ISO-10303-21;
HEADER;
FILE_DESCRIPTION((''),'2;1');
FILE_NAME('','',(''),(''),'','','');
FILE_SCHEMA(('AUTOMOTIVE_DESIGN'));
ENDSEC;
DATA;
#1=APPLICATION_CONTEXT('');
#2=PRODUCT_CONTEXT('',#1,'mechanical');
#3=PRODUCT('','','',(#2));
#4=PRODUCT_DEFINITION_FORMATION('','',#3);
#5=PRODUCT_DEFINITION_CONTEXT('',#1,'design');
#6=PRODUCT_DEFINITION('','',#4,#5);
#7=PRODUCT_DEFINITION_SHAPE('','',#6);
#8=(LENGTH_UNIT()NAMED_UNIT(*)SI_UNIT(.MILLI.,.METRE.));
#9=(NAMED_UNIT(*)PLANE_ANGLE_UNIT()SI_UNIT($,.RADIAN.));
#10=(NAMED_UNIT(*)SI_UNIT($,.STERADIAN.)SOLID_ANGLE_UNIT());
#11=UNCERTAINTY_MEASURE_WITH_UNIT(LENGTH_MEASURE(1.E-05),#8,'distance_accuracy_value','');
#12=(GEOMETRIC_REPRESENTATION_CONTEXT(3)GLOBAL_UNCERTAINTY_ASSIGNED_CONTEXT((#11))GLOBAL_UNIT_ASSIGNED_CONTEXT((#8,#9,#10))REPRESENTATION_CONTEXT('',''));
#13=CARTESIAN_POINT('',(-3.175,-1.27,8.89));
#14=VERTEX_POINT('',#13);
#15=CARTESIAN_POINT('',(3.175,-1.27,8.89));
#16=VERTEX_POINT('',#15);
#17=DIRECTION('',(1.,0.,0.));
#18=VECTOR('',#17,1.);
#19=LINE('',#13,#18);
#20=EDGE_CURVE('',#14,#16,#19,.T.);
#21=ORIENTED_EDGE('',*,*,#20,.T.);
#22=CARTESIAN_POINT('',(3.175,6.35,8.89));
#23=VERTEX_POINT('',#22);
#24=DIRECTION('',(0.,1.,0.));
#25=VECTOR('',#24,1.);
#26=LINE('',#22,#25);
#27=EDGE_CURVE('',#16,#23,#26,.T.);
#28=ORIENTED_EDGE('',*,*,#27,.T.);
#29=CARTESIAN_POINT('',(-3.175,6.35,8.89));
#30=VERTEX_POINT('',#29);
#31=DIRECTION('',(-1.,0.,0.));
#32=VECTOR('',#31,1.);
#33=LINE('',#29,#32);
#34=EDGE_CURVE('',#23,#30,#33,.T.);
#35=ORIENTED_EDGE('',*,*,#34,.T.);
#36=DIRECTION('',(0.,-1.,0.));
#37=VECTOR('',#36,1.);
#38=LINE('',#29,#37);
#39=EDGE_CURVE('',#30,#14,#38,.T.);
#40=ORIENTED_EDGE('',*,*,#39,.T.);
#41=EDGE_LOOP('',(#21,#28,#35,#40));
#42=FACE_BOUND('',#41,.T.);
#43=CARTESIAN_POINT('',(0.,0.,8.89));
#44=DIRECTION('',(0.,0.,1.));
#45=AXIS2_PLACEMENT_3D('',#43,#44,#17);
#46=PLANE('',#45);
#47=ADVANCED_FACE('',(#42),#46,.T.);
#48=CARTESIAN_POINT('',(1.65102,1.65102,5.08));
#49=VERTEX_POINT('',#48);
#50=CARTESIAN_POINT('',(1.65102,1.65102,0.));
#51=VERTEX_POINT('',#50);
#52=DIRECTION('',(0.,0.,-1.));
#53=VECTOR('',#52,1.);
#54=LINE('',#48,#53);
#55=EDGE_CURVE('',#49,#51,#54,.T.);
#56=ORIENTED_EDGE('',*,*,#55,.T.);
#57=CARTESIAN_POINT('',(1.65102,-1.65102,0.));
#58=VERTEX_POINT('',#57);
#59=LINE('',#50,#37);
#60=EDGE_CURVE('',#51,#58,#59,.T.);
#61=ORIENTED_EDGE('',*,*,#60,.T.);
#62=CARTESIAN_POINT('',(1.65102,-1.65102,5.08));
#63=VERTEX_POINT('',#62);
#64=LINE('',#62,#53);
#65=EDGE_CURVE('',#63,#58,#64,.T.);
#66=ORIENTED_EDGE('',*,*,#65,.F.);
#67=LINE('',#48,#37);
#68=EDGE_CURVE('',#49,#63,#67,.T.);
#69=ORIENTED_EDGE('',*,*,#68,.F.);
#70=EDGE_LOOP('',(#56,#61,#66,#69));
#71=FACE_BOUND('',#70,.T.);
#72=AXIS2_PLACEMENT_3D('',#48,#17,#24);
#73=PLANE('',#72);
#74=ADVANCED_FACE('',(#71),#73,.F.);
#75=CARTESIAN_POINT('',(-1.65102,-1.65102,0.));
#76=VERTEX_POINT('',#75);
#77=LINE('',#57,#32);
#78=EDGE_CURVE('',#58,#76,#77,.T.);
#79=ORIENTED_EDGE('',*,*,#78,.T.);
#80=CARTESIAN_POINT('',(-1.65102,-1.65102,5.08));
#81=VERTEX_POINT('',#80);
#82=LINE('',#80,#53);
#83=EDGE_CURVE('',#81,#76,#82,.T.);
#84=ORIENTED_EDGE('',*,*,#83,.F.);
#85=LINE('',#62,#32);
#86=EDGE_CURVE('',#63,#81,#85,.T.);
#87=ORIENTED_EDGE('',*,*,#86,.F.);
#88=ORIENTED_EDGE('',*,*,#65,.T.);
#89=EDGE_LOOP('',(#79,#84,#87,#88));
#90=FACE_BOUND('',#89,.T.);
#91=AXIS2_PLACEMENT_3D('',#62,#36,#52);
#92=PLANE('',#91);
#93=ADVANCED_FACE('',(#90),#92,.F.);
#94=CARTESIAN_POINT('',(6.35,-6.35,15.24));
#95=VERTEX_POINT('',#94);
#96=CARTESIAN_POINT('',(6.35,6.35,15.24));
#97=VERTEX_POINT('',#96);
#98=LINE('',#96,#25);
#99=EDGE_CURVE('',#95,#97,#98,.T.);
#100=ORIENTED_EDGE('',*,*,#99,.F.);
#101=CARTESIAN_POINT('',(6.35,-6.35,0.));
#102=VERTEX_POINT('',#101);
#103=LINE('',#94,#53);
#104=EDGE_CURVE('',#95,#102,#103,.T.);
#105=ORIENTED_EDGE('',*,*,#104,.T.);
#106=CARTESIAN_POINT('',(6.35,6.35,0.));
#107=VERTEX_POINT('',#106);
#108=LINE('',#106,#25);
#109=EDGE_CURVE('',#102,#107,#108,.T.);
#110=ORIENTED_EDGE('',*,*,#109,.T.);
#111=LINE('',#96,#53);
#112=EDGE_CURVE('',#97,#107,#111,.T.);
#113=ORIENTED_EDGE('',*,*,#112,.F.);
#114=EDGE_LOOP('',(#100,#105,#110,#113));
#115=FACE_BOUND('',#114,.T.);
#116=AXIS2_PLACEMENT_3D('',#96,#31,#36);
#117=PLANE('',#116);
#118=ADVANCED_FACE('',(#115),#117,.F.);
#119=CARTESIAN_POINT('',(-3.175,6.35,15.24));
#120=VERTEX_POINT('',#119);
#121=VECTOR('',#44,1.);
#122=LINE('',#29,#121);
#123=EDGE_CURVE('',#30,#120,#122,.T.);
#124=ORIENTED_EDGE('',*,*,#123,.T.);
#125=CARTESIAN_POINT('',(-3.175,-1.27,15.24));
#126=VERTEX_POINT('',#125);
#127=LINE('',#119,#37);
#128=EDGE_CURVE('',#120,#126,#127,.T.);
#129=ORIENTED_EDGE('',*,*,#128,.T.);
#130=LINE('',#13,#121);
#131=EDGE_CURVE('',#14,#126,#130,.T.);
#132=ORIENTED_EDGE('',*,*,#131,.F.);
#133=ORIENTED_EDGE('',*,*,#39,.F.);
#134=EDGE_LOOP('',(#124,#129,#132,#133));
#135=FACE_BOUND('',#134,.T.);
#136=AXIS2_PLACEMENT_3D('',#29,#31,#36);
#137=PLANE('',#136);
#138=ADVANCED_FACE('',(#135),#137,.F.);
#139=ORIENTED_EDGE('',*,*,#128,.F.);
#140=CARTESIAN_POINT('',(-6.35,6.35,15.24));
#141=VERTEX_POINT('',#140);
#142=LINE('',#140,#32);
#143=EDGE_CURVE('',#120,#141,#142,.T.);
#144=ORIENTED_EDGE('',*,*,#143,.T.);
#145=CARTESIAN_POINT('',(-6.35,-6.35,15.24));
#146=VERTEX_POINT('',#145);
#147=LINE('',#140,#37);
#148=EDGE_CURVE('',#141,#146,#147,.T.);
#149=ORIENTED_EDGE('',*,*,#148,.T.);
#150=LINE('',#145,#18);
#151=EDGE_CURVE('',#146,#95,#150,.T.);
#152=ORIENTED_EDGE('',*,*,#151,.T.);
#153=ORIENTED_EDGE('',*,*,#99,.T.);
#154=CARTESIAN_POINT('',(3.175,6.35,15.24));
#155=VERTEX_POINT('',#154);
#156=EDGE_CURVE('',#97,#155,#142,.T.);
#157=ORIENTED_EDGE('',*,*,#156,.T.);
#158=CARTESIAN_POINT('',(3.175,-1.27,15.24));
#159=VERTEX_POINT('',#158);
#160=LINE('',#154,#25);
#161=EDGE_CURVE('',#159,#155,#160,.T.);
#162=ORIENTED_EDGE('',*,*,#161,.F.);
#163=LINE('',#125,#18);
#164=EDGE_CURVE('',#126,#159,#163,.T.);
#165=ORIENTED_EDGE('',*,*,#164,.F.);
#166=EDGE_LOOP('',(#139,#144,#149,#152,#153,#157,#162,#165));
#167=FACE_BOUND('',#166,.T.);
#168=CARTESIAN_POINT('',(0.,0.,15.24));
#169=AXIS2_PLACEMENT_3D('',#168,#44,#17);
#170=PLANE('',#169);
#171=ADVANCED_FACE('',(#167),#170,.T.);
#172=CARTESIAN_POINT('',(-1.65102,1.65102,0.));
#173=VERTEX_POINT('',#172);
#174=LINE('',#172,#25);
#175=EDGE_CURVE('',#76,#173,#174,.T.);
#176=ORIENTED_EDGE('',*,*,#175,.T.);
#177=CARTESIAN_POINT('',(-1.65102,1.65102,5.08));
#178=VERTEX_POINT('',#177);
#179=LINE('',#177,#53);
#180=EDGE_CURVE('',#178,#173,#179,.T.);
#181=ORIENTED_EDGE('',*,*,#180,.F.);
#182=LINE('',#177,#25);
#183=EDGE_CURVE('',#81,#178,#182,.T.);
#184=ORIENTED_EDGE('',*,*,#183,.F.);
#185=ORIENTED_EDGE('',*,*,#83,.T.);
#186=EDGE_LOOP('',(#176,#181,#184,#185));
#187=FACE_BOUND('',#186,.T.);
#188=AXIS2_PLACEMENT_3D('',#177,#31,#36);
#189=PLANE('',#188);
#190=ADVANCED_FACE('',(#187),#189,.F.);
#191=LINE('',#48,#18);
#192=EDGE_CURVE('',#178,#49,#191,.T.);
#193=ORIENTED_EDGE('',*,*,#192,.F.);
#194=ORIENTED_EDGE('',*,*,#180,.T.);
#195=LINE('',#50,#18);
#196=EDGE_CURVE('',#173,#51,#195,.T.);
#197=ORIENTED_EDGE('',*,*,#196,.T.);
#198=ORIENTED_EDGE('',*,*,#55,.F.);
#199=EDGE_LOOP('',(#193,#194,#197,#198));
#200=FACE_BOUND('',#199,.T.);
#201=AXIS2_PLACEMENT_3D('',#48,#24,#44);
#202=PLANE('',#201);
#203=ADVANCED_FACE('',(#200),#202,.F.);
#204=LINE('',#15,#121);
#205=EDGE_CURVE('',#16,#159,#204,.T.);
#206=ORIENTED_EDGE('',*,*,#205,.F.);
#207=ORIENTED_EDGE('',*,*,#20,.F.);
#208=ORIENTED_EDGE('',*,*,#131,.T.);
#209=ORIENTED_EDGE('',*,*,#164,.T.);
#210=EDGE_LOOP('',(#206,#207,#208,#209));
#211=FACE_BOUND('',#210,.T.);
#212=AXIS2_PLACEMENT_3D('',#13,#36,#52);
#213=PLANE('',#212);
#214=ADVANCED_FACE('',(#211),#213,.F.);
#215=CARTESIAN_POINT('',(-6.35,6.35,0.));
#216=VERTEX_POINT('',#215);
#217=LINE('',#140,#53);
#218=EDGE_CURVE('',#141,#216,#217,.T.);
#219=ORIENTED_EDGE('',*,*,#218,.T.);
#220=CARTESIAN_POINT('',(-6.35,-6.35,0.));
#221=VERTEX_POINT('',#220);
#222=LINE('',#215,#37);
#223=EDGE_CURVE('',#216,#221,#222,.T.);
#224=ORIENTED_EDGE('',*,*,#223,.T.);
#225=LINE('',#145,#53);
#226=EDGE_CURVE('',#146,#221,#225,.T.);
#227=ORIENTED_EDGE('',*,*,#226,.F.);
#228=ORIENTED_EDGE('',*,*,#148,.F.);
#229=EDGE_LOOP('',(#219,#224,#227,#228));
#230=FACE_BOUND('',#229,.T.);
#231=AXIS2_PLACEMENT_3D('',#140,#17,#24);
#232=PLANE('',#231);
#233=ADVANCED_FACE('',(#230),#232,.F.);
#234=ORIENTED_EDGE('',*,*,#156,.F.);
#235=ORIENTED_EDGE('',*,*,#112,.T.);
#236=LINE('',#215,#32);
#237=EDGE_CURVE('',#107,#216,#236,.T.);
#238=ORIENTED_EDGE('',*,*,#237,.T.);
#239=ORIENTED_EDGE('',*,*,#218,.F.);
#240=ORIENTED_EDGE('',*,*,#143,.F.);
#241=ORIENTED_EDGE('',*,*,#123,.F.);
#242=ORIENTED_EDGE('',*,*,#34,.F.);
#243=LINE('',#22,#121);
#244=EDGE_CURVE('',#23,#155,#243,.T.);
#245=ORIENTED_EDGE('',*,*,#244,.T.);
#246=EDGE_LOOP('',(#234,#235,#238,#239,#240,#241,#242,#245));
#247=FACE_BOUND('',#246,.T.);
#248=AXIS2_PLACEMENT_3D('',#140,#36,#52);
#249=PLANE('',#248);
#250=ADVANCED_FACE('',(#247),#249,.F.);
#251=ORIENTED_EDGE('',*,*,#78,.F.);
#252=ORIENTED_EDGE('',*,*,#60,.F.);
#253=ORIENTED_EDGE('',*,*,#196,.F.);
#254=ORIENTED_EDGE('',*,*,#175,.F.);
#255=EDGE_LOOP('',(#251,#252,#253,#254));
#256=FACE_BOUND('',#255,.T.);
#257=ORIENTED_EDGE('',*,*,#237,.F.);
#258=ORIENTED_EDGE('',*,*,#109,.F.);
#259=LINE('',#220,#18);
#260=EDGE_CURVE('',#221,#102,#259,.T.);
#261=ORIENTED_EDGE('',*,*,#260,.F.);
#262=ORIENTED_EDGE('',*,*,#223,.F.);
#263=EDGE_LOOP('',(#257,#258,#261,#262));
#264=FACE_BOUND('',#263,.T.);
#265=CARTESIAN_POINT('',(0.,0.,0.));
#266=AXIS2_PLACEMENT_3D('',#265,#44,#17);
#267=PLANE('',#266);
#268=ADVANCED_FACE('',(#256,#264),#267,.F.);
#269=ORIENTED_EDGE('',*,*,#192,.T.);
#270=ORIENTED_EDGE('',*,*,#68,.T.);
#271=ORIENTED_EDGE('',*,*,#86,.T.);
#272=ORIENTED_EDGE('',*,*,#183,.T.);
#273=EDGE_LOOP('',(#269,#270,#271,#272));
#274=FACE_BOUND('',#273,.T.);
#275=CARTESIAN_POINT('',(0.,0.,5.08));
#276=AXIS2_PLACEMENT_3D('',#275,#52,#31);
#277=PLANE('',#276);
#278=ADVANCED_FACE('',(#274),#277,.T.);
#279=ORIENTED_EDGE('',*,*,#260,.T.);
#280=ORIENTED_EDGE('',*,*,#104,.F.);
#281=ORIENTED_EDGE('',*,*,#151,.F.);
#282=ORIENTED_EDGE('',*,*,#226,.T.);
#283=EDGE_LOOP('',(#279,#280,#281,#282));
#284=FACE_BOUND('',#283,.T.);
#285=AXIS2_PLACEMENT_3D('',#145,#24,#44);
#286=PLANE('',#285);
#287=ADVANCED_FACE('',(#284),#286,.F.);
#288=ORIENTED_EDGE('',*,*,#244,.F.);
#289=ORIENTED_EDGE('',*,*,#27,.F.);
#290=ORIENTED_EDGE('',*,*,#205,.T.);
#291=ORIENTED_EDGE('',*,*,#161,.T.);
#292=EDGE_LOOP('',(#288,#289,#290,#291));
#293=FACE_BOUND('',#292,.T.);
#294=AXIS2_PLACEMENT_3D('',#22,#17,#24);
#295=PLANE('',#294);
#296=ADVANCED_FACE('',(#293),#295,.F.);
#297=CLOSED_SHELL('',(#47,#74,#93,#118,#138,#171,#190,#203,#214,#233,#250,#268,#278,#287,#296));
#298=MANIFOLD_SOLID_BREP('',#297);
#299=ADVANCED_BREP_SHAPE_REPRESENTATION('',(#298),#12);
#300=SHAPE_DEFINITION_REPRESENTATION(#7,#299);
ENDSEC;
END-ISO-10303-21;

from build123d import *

# Parameters (mm, degrees)
SKETCH1_W           = 12.7
SKETCH1_H           = 12.7
BOSS_EXTRUDE1_DEPTH = 15.24
SKETCH2_W           = 6.35
SKETCH2_H           = 7.62
CUT_EXTRUDE1_DEPTH  = 6.35
SKETCH3_W           = 3.302040176
SKETCH3_H           = 3.302040176
CUT_EXTRUDE2_DEPTH  = 5.08


with BuildPart() as part:
    # Sketch1 → Boss-Extrude1 (new body)
    with BuildSketch(Plane.XY):
        Rectangle(SKETCH1_W, SKETCH1_H)
    extrude(amount=BOSS_EXTRUDE1_DEPTH)

    # Sketch2 → Cut-Extrude1 (cut)
    with BuildSketch(Plane.XY.offset(15.24)):
        with Locations((0, 2.54)):
            Rectangle(SKETCH2_W, SKETCH2_H)
    extrude(amount=-CUT_EXTRUDE1_DEPTH, mode=Mode.SUBTRACT)

    # Sketch3 → Cut-Extrude2 (cut)
    with BuildSketch(Plane(origin=(0, 0, 0), x_dir=(-1, 0, 0), z_dir=(0, 0, -1))):
        Rectangle(SKETCH3_W, SKETCH3_H)
    extrude(amount=-CUT_EXTRUDE2_DEPTH, mode=Mode.SUBTRACT)


solid = part.part
